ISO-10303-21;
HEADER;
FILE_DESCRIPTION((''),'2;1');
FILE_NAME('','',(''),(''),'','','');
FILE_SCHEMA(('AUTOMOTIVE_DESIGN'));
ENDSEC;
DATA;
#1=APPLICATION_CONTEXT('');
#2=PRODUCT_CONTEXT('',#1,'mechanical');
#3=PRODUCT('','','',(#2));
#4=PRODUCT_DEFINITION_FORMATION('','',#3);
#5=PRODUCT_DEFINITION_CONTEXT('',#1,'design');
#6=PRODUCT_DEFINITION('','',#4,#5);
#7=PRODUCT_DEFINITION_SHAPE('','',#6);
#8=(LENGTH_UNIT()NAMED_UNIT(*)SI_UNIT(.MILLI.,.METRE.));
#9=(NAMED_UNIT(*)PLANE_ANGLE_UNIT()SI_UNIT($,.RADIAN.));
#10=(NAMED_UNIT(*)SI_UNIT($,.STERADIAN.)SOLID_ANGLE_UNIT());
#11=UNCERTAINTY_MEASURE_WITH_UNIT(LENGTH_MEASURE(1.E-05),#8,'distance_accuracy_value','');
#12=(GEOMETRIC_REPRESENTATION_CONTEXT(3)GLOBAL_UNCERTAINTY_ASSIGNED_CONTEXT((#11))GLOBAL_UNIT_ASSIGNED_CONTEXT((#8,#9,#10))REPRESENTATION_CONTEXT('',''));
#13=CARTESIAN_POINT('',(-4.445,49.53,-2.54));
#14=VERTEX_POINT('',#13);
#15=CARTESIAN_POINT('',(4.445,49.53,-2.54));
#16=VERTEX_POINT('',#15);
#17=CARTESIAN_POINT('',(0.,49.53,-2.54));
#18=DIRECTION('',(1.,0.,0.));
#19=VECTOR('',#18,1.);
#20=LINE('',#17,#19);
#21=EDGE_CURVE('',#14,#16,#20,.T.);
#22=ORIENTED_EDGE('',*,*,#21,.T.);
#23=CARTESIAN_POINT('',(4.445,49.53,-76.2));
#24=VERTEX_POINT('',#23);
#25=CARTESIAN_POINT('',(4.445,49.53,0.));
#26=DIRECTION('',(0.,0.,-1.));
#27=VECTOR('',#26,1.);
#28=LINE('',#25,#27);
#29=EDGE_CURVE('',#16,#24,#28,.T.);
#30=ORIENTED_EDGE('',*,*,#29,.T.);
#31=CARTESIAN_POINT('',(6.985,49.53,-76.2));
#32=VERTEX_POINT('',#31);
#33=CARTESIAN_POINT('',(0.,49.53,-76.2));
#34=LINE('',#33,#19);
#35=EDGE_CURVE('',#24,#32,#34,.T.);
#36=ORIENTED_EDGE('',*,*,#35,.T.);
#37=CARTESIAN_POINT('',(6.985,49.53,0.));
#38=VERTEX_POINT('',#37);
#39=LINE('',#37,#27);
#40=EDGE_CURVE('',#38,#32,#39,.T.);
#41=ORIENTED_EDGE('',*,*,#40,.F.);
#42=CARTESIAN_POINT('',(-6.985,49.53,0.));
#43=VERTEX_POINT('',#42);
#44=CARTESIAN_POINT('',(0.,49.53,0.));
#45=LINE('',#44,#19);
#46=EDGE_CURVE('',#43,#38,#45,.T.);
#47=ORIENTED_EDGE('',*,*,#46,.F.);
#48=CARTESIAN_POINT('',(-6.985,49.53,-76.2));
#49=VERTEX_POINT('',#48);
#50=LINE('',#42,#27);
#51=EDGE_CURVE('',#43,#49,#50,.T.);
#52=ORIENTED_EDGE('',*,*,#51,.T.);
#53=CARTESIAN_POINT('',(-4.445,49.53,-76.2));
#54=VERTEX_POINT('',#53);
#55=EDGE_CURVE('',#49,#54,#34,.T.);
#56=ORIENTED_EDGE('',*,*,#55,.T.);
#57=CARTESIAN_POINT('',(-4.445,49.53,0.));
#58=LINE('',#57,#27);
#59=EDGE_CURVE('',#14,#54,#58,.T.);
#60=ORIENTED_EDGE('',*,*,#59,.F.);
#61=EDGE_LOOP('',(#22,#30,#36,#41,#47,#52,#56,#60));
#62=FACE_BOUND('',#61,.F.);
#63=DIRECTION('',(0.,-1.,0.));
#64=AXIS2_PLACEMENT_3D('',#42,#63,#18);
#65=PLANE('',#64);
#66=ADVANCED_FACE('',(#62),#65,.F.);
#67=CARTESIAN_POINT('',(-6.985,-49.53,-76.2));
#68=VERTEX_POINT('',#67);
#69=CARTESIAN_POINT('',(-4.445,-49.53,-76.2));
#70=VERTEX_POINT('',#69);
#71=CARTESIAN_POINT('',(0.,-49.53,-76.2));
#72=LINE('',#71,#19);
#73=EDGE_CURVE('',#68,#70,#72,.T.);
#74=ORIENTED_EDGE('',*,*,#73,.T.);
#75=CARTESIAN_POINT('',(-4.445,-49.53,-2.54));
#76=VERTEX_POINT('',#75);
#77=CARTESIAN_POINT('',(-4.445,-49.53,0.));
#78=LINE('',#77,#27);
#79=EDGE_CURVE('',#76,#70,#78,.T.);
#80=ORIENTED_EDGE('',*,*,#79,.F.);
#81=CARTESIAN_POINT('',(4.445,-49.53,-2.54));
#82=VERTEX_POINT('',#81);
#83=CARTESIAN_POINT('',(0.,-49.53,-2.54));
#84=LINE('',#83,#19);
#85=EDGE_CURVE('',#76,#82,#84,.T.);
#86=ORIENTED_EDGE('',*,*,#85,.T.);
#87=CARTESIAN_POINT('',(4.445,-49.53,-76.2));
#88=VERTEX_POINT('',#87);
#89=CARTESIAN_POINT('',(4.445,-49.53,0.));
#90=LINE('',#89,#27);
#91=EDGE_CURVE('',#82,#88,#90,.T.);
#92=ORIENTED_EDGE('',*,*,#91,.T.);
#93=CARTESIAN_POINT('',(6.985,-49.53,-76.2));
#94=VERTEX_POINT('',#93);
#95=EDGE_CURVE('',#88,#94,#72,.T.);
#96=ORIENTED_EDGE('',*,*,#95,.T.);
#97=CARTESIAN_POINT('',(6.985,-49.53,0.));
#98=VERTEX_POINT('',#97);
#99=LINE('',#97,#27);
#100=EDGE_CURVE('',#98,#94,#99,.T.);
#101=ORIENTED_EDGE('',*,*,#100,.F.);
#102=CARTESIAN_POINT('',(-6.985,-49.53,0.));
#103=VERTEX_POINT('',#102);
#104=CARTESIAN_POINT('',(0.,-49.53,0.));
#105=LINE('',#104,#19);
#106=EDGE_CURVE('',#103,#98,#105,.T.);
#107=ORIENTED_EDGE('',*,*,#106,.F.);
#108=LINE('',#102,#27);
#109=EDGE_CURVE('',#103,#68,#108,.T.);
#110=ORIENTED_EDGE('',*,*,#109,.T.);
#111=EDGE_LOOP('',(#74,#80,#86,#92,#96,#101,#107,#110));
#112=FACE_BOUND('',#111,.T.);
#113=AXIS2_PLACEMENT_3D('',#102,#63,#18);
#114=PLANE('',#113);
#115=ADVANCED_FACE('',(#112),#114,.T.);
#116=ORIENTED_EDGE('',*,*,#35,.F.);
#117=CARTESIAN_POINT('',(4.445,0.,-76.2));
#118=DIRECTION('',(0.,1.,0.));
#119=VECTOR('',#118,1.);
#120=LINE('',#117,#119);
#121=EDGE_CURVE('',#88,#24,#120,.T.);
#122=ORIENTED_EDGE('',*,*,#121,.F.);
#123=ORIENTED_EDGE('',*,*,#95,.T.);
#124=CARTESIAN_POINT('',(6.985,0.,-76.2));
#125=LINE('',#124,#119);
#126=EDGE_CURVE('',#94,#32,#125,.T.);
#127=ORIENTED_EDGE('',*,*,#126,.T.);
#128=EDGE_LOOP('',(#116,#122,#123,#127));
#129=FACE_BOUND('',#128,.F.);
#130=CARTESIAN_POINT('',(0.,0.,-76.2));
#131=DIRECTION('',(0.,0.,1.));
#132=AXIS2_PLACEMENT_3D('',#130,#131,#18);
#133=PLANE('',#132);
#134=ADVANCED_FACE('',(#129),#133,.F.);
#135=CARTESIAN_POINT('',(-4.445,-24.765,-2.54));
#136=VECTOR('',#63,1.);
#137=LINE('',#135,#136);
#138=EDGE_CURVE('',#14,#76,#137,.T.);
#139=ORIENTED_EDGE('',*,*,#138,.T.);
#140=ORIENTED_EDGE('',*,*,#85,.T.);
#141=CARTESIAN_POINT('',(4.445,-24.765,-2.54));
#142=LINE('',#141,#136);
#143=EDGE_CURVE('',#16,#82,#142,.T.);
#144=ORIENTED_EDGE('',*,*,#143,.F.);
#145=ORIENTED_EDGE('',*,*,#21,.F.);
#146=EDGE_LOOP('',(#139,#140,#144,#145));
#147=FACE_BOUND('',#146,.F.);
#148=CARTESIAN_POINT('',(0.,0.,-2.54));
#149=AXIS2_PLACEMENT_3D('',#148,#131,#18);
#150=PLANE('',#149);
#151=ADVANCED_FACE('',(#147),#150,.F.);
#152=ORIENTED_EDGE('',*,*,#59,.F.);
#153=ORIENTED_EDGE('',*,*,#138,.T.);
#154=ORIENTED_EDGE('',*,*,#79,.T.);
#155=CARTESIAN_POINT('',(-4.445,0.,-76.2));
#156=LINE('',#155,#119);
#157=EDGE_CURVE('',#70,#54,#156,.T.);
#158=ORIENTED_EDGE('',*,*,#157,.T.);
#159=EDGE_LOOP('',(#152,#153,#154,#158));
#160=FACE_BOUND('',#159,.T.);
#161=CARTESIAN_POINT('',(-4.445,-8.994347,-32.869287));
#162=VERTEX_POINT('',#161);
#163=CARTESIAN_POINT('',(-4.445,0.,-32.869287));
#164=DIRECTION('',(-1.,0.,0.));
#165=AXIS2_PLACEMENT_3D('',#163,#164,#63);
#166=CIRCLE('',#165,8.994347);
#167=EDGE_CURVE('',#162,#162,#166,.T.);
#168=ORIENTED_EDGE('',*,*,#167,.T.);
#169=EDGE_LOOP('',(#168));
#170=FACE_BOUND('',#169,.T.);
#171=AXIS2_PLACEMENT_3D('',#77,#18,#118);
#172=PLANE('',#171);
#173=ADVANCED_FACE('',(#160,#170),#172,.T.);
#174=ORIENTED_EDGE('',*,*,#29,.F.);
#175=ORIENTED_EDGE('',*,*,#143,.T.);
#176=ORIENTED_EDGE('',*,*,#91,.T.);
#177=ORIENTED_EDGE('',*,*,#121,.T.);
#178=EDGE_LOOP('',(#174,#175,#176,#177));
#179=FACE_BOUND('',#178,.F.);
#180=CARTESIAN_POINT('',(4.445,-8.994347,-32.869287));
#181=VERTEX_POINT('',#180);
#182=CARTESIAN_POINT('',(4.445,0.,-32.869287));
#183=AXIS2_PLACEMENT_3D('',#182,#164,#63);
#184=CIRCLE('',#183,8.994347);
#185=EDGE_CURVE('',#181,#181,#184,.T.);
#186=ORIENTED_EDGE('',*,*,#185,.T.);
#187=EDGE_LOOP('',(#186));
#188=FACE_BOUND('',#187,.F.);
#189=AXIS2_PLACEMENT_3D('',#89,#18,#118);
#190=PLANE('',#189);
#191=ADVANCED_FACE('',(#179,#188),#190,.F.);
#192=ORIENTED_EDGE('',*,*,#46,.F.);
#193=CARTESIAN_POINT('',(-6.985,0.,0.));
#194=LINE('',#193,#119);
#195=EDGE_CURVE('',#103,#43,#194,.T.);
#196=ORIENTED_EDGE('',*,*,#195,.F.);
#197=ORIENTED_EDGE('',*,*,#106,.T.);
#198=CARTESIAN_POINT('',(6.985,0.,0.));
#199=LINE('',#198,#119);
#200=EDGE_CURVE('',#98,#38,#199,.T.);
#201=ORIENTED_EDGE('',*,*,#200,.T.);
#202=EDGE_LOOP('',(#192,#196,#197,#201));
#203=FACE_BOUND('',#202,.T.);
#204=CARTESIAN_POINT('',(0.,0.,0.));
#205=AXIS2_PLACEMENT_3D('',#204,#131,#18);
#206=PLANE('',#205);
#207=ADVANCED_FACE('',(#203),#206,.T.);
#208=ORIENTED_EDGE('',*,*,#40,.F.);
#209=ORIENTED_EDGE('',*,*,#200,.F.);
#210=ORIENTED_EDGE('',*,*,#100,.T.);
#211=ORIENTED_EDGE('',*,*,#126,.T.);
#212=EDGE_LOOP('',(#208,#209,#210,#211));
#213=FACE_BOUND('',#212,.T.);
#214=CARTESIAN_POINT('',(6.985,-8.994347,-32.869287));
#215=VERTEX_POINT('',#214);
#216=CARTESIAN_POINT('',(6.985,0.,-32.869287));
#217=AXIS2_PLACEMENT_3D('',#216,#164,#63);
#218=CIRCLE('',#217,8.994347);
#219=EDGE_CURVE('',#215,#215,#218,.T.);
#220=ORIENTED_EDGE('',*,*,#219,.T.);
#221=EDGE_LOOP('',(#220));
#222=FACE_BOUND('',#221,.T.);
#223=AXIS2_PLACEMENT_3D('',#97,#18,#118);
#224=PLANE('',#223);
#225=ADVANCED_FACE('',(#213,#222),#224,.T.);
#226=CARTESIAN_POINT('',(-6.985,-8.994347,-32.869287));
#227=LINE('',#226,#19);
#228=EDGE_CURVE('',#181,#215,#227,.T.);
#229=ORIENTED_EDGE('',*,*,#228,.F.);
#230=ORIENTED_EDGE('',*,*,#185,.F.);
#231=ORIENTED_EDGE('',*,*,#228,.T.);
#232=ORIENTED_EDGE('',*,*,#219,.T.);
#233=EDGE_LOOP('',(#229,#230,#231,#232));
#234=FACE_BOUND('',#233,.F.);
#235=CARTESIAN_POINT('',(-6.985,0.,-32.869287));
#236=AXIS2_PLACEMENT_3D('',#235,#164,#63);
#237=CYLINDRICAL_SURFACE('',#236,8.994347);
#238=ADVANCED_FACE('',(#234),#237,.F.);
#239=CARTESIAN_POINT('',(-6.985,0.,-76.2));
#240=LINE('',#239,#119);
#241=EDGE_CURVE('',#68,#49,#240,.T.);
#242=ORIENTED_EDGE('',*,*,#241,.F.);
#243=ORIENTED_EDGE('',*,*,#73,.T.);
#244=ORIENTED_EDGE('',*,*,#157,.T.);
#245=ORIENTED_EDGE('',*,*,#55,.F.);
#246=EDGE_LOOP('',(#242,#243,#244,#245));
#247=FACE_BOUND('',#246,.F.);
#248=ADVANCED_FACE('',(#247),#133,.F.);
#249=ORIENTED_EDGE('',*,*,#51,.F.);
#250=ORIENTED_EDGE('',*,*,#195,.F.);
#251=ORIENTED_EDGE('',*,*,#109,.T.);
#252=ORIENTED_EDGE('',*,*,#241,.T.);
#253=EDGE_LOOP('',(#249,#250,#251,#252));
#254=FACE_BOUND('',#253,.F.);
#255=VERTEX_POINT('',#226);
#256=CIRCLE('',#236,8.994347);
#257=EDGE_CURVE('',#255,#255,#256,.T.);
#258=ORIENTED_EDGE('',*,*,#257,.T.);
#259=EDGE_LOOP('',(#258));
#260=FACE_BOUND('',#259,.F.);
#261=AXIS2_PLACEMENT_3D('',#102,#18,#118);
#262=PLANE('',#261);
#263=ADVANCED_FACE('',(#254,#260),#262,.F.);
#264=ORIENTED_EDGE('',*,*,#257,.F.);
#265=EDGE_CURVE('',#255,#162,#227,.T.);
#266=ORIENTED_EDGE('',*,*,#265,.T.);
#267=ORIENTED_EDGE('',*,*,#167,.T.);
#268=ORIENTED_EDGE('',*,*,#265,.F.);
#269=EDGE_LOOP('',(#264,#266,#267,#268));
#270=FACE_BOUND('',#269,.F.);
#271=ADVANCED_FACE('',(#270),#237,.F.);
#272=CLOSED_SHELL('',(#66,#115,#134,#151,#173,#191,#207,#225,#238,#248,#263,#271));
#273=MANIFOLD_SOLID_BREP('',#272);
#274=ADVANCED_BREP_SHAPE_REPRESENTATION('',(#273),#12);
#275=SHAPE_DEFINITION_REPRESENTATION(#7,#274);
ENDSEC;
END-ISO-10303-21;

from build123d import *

# Parameters (mm, degrees)
F0_W     = 13.97
F0_H     = 99.06
F1_DEPTH = 76.2
F2_T     = -2.54
F3_R     = 8.994347
F4_DEPTH = 118.618


with BuildPart() as f1:
    # F0 (on Top) → F1 (new body)
    with BuildSketch(Plane.XY):
        Rectangle(F0_W, F0_H)
    extrude(amount=-F1_DEPTH)

    # F2
    f2_openings = [f1.faces().sort_by_distance(p)[0] for p in [
        (0, 0, -76.2),
        (0, 49.53, -38.1),
        (0, -49.53, -38.1),
    ]]
    offset(amount=F2_T, openings=f2_openings)

    # F3 (on face) → F4 (cut)
    with BuildSketch(Plane(origin=(-6.985, 0, 0), x_dir=(0, -1, 0), z_dir=(-1, 0, 0))):
        with Locations((0, -32.869287)):
            Circle(F3_R)
    extrude(amount=-F4_DEPTH, mode=Mode.SUBTRACT)


solid = f1.part
